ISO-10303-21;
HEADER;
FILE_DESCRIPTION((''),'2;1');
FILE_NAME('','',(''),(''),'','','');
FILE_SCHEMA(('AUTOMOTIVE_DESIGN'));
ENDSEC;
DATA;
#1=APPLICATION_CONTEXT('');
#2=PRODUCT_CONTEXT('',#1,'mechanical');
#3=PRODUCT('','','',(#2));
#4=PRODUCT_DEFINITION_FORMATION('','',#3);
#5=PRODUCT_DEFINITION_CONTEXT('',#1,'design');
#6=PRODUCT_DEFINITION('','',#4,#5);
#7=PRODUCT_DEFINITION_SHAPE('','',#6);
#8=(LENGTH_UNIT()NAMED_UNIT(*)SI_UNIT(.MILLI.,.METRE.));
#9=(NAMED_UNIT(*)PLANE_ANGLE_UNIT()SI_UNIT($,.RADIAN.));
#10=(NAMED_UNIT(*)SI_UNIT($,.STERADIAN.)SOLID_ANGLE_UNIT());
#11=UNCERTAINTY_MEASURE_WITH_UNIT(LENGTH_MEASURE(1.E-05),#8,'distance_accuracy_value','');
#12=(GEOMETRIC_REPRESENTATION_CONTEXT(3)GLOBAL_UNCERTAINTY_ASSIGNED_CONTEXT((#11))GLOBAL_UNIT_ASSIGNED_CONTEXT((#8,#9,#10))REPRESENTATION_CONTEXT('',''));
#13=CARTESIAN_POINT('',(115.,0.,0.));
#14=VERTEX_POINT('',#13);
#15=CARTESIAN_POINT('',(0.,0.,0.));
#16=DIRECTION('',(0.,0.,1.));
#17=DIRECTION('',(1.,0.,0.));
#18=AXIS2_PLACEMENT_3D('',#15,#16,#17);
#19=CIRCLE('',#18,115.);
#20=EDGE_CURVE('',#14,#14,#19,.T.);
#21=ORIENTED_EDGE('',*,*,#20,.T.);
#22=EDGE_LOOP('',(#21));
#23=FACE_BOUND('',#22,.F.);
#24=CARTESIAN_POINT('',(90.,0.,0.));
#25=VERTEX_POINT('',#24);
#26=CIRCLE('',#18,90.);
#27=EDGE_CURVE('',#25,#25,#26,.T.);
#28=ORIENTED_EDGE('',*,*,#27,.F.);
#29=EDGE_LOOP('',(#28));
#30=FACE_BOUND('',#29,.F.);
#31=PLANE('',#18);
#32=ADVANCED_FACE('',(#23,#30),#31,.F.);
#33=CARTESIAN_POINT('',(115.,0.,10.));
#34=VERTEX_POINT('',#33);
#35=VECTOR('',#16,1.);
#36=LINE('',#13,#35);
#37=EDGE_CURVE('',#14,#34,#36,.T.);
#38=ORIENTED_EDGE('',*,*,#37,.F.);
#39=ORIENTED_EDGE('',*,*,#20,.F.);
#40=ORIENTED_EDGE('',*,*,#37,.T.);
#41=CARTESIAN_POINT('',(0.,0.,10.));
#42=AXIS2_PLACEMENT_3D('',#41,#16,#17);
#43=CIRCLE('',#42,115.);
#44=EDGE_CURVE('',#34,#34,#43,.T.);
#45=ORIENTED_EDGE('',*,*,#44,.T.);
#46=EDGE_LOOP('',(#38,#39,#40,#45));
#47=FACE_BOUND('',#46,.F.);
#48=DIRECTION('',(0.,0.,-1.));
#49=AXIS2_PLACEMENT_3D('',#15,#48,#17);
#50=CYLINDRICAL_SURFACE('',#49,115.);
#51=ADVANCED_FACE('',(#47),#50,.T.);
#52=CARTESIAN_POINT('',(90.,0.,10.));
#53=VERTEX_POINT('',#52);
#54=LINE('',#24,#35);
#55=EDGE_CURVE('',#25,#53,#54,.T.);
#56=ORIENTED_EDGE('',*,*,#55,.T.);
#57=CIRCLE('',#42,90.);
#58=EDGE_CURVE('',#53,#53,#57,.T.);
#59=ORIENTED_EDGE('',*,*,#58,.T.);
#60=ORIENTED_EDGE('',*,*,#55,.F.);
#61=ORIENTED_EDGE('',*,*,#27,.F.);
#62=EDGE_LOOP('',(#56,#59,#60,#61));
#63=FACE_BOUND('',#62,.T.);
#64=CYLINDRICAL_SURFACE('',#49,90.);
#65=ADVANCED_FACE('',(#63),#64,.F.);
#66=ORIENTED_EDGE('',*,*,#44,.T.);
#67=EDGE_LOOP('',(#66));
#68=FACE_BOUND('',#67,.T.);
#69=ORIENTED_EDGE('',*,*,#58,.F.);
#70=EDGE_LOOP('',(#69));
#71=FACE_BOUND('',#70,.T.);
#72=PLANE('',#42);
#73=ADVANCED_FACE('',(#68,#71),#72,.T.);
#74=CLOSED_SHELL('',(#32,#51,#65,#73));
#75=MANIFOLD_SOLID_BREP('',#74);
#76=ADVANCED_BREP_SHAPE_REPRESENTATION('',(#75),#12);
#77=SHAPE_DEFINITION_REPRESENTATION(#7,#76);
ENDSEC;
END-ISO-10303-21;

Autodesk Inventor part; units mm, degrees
ref_plane "YZ Plane" through (0, 0, 0) normal (1, 0, 0) x (0, 1, 0)
ref_plane "XZ Plane" through (0, 0, 0) normal (0, 1, 0) x (-1, 0, 0)
ref_plane "XY Plane" through (0, 0, 0) normal (0, 0, 1) x (1, 0, 0)
sketch "Sketch1" plane through (0, 0, 0) normal (0, 0, 1) x (1, 0, 0)
  circle A0 centre (0, 0) radius 90
  circle A1 centre (0, 0) radius 115
  dimension "d0" = 180
  dimension "d1" = 230
extrude "Extrusion1" add sketch "Sketch1" along normal blind 10
properties part number "101-06" material "Air"
